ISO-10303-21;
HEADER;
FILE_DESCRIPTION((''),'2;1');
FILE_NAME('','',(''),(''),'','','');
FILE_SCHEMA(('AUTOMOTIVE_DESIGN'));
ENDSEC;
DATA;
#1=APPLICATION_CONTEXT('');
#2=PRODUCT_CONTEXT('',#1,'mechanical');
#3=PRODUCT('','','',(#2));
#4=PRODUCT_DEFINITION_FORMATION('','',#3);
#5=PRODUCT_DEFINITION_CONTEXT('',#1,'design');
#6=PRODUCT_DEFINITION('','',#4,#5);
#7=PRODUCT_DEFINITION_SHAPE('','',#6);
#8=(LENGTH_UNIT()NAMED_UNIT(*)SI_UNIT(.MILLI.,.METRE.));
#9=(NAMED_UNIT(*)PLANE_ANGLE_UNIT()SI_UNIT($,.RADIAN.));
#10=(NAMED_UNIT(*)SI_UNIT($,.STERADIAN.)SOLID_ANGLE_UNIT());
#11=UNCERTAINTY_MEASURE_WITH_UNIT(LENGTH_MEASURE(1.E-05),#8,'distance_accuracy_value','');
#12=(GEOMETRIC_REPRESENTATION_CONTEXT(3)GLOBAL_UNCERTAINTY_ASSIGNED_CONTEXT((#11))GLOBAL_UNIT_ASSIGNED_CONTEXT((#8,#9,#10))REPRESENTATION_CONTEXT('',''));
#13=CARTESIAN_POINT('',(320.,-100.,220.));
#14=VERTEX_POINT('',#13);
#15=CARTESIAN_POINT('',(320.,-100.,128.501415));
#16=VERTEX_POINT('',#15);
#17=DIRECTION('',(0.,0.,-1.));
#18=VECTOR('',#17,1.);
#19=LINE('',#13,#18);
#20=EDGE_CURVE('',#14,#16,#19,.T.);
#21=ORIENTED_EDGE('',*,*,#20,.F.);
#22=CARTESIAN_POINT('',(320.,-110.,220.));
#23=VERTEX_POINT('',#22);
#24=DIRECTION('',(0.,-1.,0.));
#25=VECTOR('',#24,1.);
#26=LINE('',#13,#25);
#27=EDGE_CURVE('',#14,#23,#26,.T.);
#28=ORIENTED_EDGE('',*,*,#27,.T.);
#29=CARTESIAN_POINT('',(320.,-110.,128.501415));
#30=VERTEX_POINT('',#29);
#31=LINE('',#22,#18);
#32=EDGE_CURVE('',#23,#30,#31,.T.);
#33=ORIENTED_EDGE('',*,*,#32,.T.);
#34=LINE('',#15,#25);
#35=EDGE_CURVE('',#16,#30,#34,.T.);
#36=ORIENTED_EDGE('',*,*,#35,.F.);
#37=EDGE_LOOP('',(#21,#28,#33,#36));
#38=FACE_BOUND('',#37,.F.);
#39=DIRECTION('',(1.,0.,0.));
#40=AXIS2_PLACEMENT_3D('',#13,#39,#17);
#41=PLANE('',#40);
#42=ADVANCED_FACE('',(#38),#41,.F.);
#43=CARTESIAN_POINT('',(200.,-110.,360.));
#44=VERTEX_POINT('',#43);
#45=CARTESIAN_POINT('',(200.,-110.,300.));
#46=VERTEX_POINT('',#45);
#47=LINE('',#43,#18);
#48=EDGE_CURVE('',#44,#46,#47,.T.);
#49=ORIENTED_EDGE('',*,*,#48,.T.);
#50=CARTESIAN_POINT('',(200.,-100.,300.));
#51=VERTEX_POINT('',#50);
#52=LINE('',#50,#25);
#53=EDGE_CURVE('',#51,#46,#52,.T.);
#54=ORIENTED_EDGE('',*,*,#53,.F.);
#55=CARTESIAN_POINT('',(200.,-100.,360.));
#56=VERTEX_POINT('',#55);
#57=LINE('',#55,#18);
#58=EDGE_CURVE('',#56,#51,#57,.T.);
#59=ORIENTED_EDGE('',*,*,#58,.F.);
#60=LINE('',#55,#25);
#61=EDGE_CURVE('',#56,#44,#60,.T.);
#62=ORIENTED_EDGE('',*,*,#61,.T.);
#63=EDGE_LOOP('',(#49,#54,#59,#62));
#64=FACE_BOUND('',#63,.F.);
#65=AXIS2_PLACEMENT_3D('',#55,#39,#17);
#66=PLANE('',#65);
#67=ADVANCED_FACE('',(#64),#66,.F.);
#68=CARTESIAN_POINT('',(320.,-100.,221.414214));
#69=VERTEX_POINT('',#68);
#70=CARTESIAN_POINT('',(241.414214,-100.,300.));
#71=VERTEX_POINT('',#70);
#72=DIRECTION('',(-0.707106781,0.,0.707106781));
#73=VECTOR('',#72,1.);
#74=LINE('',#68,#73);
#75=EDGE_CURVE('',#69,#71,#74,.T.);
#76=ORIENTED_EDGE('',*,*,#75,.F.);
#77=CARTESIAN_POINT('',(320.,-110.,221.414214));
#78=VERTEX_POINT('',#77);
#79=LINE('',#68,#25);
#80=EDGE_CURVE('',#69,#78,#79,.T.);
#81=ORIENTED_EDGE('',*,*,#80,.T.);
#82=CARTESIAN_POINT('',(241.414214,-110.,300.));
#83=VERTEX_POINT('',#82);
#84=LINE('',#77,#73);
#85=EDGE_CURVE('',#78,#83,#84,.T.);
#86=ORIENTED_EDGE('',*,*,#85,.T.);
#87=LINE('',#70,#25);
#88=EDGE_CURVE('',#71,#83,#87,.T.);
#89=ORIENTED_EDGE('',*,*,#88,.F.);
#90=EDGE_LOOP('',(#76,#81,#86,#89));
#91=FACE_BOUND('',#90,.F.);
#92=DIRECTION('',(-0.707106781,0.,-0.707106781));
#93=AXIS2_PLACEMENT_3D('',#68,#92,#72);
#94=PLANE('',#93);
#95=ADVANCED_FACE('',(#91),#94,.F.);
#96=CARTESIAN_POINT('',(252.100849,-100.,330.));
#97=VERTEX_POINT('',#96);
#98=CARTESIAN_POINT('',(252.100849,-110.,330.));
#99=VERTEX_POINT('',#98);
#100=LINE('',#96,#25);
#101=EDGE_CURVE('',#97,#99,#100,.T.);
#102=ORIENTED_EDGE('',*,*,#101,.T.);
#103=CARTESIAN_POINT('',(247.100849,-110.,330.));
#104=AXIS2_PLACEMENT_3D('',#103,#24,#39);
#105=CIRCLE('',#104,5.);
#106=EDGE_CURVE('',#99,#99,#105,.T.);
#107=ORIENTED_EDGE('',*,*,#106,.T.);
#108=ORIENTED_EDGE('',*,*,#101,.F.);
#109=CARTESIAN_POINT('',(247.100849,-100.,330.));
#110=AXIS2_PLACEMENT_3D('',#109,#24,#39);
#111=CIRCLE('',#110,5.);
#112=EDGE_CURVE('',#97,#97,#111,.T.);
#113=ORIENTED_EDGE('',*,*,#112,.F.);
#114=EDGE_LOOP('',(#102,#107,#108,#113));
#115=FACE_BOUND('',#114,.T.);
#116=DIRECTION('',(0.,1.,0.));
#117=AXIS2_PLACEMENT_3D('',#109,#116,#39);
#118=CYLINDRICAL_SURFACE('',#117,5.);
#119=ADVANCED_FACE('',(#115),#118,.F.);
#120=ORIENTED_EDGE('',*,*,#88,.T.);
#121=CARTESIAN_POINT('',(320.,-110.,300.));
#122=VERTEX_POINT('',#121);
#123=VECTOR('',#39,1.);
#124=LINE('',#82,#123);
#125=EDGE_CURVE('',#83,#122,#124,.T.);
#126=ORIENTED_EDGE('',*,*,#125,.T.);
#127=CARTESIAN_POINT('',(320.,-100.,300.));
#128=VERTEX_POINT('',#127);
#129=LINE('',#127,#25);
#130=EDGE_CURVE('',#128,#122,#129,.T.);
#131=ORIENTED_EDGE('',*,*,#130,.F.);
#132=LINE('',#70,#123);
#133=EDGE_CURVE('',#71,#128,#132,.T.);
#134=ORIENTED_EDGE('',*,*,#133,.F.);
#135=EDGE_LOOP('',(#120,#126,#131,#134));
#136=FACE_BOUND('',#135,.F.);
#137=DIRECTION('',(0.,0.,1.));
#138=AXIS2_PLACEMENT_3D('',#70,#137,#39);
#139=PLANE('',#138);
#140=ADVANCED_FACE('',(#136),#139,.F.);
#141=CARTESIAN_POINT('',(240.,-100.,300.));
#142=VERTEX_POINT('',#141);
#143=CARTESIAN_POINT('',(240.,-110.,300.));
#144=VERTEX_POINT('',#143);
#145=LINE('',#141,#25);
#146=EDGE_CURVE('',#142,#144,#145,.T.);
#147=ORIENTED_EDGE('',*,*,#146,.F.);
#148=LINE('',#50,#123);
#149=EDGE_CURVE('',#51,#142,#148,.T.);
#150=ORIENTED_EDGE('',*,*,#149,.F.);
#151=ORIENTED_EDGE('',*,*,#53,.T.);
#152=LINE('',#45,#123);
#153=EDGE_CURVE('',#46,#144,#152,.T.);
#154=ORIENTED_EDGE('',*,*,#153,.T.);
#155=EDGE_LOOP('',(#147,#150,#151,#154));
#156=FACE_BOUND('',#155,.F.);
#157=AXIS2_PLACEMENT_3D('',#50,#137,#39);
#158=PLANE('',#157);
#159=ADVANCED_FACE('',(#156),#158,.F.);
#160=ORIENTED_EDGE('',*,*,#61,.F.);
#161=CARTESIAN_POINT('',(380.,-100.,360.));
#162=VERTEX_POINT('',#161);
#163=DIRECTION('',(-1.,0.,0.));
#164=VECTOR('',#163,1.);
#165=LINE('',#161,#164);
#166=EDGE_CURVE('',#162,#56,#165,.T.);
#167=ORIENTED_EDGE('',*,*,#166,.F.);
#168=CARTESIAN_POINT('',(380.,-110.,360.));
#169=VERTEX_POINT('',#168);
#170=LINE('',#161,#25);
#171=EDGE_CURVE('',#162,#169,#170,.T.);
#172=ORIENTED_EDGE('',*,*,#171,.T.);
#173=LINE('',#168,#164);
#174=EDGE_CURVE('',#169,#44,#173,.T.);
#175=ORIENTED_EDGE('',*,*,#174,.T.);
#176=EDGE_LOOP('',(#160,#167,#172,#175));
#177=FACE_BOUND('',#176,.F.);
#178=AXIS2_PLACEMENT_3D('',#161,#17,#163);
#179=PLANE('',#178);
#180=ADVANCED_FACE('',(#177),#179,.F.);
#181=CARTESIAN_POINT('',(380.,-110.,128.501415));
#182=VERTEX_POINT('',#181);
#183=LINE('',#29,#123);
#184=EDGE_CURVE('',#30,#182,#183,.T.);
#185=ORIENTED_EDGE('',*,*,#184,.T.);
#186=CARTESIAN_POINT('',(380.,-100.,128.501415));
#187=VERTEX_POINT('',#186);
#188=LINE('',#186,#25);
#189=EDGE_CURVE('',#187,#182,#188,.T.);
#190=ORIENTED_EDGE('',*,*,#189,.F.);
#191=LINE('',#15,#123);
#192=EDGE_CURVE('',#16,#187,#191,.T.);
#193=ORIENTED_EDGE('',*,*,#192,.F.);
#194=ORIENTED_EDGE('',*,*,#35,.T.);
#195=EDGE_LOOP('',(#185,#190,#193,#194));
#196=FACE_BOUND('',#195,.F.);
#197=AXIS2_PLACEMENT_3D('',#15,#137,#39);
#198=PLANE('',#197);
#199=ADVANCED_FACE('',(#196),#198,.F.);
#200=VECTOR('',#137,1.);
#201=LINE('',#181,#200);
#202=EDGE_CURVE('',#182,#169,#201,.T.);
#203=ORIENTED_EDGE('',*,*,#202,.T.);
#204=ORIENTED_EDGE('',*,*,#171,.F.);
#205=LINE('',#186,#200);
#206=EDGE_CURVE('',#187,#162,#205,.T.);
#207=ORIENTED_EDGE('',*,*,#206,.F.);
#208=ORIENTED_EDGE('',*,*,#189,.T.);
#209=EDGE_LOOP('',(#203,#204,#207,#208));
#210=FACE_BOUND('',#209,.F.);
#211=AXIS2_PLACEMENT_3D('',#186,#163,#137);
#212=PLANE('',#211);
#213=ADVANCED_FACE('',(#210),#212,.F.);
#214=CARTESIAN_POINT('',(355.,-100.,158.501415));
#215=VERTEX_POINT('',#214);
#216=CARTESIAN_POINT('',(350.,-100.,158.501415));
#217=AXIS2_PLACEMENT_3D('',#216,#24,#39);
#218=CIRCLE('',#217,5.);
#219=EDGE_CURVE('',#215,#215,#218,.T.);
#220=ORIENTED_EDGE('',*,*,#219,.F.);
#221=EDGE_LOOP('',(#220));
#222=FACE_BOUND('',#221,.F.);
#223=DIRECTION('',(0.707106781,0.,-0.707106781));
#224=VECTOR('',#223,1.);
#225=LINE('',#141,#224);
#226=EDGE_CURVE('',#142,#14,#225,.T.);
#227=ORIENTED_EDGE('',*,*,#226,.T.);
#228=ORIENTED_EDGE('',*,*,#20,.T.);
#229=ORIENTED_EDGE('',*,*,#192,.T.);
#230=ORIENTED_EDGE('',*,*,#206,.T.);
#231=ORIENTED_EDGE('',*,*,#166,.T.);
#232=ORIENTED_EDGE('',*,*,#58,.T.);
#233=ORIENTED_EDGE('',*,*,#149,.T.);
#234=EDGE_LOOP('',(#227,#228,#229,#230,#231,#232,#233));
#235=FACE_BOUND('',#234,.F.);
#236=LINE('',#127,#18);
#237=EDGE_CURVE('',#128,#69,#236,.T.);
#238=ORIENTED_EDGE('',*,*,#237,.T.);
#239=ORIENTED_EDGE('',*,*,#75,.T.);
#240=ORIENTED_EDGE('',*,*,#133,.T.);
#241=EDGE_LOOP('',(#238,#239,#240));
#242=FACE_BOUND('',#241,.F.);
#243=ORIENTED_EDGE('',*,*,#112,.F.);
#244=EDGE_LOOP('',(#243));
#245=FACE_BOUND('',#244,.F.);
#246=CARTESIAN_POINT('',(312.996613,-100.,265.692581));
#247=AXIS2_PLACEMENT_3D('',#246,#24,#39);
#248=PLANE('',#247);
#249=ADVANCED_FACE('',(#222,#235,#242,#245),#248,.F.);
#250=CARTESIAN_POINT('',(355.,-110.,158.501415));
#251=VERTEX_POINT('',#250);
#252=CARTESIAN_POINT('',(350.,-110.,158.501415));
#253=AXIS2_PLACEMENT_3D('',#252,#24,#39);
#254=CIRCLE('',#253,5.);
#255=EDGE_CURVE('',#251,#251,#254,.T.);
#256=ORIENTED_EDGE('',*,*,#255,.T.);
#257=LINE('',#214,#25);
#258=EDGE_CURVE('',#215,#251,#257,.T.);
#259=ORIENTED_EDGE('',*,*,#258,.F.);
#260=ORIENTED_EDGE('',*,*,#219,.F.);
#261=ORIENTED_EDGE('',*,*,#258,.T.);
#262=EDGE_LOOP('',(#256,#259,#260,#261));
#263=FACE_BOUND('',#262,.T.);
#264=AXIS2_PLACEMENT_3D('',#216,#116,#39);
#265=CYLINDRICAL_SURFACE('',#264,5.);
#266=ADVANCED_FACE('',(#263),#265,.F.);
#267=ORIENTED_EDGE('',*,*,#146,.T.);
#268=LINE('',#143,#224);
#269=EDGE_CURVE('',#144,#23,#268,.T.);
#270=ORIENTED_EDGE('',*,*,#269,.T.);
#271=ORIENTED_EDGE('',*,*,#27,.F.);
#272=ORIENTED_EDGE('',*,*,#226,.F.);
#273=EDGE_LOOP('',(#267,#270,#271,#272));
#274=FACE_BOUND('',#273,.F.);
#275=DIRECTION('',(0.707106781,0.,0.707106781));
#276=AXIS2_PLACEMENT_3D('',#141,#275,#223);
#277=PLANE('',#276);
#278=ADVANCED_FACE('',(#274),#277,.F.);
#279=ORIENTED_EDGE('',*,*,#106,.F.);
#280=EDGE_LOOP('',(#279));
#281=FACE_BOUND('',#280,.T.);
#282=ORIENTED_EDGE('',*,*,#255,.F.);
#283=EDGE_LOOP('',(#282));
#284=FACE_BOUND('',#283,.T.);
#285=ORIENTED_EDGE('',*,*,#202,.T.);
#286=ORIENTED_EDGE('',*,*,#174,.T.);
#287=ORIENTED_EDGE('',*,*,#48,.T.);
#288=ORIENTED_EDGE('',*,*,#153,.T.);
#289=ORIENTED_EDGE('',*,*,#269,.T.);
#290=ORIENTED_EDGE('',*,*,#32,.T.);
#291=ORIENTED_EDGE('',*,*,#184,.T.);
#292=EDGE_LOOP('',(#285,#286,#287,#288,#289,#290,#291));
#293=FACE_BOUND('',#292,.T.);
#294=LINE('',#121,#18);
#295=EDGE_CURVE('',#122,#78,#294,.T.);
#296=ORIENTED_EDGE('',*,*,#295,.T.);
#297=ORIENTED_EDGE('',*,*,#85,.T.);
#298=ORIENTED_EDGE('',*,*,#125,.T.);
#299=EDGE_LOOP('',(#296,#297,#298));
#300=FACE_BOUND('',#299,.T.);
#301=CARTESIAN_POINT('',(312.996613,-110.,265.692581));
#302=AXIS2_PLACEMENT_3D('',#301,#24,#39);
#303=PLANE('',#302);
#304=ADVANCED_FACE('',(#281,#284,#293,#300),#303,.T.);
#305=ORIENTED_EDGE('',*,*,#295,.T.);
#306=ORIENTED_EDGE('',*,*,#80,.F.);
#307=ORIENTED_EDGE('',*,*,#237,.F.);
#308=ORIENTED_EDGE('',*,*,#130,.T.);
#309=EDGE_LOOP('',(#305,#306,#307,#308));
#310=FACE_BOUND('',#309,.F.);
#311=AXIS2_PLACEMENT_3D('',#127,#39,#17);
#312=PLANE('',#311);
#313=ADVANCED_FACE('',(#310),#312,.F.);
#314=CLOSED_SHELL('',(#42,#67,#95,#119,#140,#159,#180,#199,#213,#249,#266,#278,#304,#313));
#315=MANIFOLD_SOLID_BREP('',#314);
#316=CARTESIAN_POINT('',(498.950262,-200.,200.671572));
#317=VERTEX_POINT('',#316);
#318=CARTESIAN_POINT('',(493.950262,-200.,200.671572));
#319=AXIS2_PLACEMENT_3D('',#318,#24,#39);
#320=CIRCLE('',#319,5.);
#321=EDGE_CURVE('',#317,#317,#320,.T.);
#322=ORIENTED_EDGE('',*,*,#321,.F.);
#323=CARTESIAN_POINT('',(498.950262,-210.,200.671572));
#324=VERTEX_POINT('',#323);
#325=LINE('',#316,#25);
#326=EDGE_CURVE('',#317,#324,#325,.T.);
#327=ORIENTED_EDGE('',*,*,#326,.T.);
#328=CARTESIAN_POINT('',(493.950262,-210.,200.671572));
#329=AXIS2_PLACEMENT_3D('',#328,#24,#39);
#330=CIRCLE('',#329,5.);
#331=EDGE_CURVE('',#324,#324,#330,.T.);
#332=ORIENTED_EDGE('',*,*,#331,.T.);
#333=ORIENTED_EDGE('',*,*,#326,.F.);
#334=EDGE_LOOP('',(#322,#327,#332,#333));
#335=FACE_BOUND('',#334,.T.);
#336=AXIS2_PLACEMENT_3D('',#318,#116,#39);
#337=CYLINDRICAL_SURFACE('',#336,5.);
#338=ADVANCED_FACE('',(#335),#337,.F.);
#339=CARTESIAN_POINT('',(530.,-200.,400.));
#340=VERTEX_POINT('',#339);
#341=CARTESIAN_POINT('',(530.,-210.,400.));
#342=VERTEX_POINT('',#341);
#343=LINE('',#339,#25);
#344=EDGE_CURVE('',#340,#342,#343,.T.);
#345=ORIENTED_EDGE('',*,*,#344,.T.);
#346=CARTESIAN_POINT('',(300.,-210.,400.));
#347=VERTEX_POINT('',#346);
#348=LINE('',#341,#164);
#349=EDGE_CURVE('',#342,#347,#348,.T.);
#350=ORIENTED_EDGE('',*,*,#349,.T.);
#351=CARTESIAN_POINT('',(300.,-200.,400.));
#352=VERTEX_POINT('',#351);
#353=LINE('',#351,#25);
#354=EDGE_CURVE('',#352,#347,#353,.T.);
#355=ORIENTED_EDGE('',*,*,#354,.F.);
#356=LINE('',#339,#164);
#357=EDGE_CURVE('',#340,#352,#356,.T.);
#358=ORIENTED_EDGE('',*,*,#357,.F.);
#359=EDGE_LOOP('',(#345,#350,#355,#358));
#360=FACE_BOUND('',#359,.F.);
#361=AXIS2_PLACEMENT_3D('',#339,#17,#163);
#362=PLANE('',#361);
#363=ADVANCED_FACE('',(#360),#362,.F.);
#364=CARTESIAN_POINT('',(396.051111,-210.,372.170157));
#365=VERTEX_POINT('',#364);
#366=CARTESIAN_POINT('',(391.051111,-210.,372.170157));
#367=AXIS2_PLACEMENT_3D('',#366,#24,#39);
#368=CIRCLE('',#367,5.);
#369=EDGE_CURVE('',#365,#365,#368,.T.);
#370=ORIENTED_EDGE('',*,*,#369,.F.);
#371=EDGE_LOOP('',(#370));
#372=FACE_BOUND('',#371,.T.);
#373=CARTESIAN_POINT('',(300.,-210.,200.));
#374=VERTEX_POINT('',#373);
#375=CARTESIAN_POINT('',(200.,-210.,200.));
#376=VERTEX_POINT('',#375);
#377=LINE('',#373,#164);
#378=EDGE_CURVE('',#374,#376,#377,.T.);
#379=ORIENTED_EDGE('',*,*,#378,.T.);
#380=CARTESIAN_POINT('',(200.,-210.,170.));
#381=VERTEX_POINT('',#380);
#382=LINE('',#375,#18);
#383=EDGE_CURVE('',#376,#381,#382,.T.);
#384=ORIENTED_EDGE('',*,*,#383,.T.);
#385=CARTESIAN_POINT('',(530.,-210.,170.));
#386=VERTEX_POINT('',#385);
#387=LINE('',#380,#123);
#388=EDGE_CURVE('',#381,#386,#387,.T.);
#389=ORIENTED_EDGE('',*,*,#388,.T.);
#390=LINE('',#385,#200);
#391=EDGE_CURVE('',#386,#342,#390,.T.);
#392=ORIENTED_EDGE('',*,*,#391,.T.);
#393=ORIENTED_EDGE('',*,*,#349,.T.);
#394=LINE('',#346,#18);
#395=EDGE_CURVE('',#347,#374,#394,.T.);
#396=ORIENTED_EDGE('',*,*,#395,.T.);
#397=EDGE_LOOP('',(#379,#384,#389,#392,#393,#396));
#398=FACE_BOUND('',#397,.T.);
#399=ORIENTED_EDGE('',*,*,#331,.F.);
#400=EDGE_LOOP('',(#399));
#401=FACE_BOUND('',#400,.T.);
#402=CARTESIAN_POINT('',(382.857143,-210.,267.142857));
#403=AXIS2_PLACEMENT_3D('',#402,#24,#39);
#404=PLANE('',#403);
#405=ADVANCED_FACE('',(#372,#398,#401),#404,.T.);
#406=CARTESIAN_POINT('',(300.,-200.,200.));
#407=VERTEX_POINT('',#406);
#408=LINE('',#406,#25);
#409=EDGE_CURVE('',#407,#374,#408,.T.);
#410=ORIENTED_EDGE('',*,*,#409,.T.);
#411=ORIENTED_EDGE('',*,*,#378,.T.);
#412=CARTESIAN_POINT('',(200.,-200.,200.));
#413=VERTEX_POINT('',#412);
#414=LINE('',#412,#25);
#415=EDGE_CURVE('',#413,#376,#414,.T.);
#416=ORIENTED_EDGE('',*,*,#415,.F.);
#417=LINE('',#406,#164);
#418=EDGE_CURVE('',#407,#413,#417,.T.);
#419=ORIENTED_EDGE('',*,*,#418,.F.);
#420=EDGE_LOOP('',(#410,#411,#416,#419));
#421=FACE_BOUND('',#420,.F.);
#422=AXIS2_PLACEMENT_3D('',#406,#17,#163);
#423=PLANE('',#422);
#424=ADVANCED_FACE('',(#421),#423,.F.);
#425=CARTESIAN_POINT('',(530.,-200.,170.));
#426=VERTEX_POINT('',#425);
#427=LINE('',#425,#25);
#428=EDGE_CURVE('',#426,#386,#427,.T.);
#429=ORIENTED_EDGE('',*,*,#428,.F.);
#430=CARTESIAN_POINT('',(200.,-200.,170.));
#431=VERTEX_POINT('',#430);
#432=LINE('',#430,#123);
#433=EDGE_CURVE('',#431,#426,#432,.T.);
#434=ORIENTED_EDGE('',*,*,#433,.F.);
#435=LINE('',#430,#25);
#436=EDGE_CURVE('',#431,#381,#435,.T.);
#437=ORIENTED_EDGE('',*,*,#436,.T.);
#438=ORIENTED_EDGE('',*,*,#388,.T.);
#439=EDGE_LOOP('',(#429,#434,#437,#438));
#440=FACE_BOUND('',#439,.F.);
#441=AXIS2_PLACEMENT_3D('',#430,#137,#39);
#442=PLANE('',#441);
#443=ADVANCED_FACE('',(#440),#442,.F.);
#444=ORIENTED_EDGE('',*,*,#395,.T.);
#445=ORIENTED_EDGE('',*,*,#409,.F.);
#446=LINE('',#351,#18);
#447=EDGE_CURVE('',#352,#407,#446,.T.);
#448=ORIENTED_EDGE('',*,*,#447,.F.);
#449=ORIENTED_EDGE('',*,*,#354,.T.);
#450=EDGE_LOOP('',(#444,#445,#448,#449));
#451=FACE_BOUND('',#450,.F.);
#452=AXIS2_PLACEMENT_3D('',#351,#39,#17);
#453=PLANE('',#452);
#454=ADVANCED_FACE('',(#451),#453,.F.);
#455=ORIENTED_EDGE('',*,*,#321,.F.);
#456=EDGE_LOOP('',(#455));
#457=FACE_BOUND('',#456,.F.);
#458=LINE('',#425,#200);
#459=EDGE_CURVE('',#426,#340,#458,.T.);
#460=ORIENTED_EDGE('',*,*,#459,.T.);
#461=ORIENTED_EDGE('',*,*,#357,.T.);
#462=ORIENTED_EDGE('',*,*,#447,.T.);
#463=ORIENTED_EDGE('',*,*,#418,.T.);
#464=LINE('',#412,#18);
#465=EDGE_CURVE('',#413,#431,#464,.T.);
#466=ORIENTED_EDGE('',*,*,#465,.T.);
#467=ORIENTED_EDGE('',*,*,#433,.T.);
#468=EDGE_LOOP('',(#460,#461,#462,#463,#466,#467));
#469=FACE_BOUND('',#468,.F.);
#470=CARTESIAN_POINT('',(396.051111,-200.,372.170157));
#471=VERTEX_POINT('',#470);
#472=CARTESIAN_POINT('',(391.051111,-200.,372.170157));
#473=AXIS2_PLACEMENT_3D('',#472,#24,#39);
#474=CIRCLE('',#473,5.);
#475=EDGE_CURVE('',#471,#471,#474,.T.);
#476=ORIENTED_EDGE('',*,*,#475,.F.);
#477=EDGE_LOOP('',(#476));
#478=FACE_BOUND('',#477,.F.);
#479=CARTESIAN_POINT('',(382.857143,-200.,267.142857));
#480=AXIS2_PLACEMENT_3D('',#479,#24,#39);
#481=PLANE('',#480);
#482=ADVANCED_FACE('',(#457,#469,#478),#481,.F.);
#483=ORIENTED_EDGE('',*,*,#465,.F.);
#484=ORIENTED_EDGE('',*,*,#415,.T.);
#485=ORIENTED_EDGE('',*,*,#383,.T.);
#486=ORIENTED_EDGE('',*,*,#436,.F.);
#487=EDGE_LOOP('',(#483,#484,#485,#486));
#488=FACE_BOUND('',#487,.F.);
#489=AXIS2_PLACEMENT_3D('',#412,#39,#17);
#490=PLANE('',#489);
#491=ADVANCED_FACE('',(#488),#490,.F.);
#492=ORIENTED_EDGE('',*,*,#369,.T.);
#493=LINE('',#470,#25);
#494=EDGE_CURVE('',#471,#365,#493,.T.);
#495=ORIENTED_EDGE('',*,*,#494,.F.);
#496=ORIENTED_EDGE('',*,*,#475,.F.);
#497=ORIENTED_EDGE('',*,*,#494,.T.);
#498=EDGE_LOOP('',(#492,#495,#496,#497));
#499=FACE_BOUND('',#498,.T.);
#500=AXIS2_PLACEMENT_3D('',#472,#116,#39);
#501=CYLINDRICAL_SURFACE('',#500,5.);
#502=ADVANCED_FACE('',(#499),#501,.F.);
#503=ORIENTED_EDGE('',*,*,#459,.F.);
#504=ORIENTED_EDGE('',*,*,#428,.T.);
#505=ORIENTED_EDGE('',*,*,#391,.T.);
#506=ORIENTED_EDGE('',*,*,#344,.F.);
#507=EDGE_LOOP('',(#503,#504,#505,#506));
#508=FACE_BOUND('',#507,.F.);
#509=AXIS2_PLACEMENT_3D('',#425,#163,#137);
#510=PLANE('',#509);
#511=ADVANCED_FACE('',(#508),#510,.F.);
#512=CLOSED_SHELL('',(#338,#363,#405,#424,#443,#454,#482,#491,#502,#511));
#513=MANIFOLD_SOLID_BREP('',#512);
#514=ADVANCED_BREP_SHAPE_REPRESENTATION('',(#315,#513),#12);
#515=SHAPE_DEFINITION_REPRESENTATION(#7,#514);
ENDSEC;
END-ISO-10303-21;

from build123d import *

# Parameters (mm, degrees)
F2_R     = 5
F3_DEPTH = 10
F5_R     = 5
F6_DEPTH = 10


with BuildPart() as f3:
    # F2 (on offset) → F3 (new body)
    with BuildSketch(Plane.XZ.offset(100)):
        Polygon((200, 360), (200, 300), (240, 300), (320, 220), (320, 128.501415), (380, 128.501415), (380, 360), align=None)
        with Locations((350, 158.501415)):
            Circle(F2_R, mode=Mode.SUBTRACT)
        Polygon((320, 221.414214), (241.414214, 300), (320, 300), align=None, mode=Mode.SUBTRACT)
        with Locations((247.100849, 330)):
            Circle(F2_R, mode=Mode.SUBTRACT)
    extrude(amount=F3_DEPTH)


with BuildPart() as f6:
    # F5 (on offset) → F6 (new body)
    with BuildSketch(Plane.XZ.offset(200)):
        Polygon((300, 400), (300, 200), (200, 200), (200, 170), (530, 170), (530, 400), align=None)
        with Locations((493.950262, 200.671572)):
            Circle(F5_R, mode=Mode.SUBTRACT)
        with Locations((391.051111, 372.170157)):
            Circle(F5_R, mode=Mode.SUBTRACT)
    extrude(amount=F6_DEPTH)


solid = Compound([f3.part, f6.part])
